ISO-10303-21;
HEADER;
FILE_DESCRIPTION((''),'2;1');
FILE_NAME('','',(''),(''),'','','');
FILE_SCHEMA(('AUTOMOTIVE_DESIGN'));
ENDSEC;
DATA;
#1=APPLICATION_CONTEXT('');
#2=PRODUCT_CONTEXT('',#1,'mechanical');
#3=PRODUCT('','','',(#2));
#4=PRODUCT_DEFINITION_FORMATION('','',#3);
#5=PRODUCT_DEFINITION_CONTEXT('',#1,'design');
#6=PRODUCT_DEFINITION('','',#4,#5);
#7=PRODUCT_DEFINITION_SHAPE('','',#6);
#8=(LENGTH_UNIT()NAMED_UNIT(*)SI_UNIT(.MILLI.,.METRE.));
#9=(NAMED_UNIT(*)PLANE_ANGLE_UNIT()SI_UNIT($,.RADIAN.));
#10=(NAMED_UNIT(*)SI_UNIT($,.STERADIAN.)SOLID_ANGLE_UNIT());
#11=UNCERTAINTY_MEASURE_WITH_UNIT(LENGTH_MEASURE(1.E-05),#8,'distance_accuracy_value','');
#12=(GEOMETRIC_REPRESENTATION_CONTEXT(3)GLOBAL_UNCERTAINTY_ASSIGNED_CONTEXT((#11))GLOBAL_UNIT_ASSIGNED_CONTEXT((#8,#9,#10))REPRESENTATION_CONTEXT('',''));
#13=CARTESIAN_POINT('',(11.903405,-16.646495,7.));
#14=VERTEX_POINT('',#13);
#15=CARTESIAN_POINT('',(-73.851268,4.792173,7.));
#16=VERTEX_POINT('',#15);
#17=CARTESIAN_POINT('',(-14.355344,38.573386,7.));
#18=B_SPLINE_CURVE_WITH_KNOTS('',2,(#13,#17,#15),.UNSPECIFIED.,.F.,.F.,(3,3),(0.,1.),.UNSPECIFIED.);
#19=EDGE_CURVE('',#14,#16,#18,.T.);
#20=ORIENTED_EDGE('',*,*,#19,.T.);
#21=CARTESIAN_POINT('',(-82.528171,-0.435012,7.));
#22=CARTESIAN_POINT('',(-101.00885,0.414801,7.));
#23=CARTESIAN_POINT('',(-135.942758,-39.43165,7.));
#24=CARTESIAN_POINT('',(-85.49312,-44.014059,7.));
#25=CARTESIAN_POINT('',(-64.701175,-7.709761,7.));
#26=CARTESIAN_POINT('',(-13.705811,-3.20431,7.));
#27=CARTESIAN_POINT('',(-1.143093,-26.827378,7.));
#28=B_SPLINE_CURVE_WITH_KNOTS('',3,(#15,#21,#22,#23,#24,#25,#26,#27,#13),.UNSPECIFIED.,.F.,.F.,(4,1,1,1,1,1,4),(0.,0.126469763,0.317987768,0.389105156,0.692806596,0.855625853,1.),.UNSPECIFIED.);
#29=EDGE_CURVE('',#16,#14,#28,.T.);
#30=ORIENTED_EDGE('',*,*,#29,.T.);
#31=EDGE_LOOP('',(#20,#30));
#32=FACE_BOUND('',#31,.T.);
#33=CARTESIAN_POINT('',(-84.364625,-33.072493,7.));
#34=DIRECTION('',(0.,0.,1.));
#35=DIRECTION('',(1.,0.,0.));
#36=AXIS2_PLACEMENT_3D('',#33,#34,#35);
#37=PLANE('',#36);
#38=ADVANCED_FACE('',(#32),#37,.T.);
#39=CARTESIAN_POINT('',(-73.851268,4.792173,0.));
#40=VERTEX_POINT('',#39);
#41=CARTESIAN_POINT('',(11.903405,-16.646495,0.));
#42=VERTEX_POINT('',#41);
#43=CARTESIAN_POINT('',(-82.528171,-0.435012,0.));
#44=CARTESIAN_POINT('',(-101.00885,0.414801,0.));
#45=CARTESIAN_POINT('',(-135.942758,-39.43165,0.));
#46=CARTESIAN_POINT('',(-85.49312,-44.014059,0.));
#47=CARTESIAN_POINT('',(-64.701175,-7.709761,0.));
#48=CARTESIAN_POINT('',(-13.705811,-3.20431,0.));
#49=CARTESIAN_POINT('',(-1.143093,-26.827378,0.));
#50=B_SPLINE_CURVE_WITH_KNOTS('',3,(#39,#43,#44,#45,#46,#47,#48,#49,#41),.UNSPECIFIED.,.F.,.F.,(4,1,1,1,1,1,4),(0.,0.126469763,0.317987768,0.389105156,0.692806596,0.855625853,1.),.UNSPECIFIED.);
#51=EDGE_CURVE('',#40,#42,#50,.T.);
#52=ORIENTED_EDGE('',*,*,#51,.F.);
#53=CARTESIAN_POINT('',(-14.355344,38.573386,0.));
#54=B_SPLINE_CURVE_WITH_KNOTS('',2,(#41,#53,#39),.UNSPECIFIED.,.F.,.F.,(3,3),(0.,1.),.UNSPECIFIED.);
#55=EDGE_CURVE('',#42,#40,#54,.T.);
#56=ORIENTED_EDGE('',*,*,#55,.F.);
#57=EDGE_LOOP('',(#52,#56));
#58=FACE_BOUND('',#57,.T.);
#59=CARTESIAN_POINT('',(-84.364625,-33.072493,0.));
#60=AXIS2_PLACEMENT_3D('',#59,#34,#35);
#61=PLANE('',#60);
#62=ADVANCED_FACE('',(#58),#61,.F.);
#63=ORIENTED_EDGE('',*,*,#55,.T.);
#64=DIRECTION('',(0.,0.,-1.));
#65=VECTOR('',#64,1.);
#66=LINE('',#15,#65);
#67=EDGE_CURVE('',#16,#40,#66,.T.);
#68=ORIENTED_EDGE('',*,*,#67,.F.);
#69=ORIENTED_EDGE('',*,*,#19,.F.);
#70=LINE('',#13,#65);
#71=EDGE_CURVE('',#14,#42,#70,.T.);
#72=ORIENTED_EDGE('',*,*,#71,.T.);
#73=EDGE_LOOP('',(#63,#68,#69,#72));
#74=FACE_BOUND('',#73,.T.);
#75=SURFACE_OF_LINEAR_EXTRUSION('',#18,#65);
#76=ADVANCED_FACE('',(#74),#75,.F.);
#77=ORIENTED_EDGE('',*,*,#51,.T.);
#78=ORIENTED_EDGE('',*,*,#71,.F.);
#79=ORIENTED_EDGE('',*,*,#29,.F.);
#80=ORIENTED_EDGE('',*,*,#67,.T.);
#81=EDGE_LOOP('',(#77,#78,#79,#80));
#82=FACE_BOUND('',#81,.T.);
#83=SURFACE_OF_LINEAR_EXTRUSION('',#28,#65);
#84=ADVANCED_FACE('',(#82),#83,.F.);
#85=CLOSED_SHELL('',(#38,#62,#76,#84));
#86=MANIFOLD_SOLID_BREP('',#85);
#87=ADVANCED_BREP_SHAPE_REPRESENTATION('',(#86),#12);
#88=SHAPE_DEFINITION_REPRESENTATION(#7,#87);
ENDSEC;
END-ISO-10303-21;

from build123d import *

# Parameters (mm, degrees)
BOSS_EXTRUDE1_DEPTH = 7


with BuildPart() as part:
    # Sketch1 → Boss-Extrude1 (new body)
    with BuildSketch(Plane.XY):
        with BuildLine():
            add(Edge.make_bspline(
                [(-73.851268358, 4.792172897), (-14.355344206, 38.573386239), (11.903404539, -16.646495327)],
                knots=[0, 0, 0, 1, 1, 1], degree=2))
            add(Edge.make_bspline(
                [(11.903404539, -16.646495327), (-1.143092735, -26.827377656), (-13.705810716, -3.204309558), (-64.701174526, -7.709760805), (-85.493119725, -44.014058563), (-135.9427577, -39.431649698), (-101.00884988, 0.41480069), (-82.528171317, -0.435012109), (-73.851268358, 4.792172897)],
                knots=[0, 0, 0, 0, 0.144374147, 0.307193404, 0.610894844, 0.682012232, 0.873530237, 1, 1, 1, 1], degree=3))
        make_face()
    extrude(amount=BOSS_EXTRUDE1_DEPTH)


solid = part.part
